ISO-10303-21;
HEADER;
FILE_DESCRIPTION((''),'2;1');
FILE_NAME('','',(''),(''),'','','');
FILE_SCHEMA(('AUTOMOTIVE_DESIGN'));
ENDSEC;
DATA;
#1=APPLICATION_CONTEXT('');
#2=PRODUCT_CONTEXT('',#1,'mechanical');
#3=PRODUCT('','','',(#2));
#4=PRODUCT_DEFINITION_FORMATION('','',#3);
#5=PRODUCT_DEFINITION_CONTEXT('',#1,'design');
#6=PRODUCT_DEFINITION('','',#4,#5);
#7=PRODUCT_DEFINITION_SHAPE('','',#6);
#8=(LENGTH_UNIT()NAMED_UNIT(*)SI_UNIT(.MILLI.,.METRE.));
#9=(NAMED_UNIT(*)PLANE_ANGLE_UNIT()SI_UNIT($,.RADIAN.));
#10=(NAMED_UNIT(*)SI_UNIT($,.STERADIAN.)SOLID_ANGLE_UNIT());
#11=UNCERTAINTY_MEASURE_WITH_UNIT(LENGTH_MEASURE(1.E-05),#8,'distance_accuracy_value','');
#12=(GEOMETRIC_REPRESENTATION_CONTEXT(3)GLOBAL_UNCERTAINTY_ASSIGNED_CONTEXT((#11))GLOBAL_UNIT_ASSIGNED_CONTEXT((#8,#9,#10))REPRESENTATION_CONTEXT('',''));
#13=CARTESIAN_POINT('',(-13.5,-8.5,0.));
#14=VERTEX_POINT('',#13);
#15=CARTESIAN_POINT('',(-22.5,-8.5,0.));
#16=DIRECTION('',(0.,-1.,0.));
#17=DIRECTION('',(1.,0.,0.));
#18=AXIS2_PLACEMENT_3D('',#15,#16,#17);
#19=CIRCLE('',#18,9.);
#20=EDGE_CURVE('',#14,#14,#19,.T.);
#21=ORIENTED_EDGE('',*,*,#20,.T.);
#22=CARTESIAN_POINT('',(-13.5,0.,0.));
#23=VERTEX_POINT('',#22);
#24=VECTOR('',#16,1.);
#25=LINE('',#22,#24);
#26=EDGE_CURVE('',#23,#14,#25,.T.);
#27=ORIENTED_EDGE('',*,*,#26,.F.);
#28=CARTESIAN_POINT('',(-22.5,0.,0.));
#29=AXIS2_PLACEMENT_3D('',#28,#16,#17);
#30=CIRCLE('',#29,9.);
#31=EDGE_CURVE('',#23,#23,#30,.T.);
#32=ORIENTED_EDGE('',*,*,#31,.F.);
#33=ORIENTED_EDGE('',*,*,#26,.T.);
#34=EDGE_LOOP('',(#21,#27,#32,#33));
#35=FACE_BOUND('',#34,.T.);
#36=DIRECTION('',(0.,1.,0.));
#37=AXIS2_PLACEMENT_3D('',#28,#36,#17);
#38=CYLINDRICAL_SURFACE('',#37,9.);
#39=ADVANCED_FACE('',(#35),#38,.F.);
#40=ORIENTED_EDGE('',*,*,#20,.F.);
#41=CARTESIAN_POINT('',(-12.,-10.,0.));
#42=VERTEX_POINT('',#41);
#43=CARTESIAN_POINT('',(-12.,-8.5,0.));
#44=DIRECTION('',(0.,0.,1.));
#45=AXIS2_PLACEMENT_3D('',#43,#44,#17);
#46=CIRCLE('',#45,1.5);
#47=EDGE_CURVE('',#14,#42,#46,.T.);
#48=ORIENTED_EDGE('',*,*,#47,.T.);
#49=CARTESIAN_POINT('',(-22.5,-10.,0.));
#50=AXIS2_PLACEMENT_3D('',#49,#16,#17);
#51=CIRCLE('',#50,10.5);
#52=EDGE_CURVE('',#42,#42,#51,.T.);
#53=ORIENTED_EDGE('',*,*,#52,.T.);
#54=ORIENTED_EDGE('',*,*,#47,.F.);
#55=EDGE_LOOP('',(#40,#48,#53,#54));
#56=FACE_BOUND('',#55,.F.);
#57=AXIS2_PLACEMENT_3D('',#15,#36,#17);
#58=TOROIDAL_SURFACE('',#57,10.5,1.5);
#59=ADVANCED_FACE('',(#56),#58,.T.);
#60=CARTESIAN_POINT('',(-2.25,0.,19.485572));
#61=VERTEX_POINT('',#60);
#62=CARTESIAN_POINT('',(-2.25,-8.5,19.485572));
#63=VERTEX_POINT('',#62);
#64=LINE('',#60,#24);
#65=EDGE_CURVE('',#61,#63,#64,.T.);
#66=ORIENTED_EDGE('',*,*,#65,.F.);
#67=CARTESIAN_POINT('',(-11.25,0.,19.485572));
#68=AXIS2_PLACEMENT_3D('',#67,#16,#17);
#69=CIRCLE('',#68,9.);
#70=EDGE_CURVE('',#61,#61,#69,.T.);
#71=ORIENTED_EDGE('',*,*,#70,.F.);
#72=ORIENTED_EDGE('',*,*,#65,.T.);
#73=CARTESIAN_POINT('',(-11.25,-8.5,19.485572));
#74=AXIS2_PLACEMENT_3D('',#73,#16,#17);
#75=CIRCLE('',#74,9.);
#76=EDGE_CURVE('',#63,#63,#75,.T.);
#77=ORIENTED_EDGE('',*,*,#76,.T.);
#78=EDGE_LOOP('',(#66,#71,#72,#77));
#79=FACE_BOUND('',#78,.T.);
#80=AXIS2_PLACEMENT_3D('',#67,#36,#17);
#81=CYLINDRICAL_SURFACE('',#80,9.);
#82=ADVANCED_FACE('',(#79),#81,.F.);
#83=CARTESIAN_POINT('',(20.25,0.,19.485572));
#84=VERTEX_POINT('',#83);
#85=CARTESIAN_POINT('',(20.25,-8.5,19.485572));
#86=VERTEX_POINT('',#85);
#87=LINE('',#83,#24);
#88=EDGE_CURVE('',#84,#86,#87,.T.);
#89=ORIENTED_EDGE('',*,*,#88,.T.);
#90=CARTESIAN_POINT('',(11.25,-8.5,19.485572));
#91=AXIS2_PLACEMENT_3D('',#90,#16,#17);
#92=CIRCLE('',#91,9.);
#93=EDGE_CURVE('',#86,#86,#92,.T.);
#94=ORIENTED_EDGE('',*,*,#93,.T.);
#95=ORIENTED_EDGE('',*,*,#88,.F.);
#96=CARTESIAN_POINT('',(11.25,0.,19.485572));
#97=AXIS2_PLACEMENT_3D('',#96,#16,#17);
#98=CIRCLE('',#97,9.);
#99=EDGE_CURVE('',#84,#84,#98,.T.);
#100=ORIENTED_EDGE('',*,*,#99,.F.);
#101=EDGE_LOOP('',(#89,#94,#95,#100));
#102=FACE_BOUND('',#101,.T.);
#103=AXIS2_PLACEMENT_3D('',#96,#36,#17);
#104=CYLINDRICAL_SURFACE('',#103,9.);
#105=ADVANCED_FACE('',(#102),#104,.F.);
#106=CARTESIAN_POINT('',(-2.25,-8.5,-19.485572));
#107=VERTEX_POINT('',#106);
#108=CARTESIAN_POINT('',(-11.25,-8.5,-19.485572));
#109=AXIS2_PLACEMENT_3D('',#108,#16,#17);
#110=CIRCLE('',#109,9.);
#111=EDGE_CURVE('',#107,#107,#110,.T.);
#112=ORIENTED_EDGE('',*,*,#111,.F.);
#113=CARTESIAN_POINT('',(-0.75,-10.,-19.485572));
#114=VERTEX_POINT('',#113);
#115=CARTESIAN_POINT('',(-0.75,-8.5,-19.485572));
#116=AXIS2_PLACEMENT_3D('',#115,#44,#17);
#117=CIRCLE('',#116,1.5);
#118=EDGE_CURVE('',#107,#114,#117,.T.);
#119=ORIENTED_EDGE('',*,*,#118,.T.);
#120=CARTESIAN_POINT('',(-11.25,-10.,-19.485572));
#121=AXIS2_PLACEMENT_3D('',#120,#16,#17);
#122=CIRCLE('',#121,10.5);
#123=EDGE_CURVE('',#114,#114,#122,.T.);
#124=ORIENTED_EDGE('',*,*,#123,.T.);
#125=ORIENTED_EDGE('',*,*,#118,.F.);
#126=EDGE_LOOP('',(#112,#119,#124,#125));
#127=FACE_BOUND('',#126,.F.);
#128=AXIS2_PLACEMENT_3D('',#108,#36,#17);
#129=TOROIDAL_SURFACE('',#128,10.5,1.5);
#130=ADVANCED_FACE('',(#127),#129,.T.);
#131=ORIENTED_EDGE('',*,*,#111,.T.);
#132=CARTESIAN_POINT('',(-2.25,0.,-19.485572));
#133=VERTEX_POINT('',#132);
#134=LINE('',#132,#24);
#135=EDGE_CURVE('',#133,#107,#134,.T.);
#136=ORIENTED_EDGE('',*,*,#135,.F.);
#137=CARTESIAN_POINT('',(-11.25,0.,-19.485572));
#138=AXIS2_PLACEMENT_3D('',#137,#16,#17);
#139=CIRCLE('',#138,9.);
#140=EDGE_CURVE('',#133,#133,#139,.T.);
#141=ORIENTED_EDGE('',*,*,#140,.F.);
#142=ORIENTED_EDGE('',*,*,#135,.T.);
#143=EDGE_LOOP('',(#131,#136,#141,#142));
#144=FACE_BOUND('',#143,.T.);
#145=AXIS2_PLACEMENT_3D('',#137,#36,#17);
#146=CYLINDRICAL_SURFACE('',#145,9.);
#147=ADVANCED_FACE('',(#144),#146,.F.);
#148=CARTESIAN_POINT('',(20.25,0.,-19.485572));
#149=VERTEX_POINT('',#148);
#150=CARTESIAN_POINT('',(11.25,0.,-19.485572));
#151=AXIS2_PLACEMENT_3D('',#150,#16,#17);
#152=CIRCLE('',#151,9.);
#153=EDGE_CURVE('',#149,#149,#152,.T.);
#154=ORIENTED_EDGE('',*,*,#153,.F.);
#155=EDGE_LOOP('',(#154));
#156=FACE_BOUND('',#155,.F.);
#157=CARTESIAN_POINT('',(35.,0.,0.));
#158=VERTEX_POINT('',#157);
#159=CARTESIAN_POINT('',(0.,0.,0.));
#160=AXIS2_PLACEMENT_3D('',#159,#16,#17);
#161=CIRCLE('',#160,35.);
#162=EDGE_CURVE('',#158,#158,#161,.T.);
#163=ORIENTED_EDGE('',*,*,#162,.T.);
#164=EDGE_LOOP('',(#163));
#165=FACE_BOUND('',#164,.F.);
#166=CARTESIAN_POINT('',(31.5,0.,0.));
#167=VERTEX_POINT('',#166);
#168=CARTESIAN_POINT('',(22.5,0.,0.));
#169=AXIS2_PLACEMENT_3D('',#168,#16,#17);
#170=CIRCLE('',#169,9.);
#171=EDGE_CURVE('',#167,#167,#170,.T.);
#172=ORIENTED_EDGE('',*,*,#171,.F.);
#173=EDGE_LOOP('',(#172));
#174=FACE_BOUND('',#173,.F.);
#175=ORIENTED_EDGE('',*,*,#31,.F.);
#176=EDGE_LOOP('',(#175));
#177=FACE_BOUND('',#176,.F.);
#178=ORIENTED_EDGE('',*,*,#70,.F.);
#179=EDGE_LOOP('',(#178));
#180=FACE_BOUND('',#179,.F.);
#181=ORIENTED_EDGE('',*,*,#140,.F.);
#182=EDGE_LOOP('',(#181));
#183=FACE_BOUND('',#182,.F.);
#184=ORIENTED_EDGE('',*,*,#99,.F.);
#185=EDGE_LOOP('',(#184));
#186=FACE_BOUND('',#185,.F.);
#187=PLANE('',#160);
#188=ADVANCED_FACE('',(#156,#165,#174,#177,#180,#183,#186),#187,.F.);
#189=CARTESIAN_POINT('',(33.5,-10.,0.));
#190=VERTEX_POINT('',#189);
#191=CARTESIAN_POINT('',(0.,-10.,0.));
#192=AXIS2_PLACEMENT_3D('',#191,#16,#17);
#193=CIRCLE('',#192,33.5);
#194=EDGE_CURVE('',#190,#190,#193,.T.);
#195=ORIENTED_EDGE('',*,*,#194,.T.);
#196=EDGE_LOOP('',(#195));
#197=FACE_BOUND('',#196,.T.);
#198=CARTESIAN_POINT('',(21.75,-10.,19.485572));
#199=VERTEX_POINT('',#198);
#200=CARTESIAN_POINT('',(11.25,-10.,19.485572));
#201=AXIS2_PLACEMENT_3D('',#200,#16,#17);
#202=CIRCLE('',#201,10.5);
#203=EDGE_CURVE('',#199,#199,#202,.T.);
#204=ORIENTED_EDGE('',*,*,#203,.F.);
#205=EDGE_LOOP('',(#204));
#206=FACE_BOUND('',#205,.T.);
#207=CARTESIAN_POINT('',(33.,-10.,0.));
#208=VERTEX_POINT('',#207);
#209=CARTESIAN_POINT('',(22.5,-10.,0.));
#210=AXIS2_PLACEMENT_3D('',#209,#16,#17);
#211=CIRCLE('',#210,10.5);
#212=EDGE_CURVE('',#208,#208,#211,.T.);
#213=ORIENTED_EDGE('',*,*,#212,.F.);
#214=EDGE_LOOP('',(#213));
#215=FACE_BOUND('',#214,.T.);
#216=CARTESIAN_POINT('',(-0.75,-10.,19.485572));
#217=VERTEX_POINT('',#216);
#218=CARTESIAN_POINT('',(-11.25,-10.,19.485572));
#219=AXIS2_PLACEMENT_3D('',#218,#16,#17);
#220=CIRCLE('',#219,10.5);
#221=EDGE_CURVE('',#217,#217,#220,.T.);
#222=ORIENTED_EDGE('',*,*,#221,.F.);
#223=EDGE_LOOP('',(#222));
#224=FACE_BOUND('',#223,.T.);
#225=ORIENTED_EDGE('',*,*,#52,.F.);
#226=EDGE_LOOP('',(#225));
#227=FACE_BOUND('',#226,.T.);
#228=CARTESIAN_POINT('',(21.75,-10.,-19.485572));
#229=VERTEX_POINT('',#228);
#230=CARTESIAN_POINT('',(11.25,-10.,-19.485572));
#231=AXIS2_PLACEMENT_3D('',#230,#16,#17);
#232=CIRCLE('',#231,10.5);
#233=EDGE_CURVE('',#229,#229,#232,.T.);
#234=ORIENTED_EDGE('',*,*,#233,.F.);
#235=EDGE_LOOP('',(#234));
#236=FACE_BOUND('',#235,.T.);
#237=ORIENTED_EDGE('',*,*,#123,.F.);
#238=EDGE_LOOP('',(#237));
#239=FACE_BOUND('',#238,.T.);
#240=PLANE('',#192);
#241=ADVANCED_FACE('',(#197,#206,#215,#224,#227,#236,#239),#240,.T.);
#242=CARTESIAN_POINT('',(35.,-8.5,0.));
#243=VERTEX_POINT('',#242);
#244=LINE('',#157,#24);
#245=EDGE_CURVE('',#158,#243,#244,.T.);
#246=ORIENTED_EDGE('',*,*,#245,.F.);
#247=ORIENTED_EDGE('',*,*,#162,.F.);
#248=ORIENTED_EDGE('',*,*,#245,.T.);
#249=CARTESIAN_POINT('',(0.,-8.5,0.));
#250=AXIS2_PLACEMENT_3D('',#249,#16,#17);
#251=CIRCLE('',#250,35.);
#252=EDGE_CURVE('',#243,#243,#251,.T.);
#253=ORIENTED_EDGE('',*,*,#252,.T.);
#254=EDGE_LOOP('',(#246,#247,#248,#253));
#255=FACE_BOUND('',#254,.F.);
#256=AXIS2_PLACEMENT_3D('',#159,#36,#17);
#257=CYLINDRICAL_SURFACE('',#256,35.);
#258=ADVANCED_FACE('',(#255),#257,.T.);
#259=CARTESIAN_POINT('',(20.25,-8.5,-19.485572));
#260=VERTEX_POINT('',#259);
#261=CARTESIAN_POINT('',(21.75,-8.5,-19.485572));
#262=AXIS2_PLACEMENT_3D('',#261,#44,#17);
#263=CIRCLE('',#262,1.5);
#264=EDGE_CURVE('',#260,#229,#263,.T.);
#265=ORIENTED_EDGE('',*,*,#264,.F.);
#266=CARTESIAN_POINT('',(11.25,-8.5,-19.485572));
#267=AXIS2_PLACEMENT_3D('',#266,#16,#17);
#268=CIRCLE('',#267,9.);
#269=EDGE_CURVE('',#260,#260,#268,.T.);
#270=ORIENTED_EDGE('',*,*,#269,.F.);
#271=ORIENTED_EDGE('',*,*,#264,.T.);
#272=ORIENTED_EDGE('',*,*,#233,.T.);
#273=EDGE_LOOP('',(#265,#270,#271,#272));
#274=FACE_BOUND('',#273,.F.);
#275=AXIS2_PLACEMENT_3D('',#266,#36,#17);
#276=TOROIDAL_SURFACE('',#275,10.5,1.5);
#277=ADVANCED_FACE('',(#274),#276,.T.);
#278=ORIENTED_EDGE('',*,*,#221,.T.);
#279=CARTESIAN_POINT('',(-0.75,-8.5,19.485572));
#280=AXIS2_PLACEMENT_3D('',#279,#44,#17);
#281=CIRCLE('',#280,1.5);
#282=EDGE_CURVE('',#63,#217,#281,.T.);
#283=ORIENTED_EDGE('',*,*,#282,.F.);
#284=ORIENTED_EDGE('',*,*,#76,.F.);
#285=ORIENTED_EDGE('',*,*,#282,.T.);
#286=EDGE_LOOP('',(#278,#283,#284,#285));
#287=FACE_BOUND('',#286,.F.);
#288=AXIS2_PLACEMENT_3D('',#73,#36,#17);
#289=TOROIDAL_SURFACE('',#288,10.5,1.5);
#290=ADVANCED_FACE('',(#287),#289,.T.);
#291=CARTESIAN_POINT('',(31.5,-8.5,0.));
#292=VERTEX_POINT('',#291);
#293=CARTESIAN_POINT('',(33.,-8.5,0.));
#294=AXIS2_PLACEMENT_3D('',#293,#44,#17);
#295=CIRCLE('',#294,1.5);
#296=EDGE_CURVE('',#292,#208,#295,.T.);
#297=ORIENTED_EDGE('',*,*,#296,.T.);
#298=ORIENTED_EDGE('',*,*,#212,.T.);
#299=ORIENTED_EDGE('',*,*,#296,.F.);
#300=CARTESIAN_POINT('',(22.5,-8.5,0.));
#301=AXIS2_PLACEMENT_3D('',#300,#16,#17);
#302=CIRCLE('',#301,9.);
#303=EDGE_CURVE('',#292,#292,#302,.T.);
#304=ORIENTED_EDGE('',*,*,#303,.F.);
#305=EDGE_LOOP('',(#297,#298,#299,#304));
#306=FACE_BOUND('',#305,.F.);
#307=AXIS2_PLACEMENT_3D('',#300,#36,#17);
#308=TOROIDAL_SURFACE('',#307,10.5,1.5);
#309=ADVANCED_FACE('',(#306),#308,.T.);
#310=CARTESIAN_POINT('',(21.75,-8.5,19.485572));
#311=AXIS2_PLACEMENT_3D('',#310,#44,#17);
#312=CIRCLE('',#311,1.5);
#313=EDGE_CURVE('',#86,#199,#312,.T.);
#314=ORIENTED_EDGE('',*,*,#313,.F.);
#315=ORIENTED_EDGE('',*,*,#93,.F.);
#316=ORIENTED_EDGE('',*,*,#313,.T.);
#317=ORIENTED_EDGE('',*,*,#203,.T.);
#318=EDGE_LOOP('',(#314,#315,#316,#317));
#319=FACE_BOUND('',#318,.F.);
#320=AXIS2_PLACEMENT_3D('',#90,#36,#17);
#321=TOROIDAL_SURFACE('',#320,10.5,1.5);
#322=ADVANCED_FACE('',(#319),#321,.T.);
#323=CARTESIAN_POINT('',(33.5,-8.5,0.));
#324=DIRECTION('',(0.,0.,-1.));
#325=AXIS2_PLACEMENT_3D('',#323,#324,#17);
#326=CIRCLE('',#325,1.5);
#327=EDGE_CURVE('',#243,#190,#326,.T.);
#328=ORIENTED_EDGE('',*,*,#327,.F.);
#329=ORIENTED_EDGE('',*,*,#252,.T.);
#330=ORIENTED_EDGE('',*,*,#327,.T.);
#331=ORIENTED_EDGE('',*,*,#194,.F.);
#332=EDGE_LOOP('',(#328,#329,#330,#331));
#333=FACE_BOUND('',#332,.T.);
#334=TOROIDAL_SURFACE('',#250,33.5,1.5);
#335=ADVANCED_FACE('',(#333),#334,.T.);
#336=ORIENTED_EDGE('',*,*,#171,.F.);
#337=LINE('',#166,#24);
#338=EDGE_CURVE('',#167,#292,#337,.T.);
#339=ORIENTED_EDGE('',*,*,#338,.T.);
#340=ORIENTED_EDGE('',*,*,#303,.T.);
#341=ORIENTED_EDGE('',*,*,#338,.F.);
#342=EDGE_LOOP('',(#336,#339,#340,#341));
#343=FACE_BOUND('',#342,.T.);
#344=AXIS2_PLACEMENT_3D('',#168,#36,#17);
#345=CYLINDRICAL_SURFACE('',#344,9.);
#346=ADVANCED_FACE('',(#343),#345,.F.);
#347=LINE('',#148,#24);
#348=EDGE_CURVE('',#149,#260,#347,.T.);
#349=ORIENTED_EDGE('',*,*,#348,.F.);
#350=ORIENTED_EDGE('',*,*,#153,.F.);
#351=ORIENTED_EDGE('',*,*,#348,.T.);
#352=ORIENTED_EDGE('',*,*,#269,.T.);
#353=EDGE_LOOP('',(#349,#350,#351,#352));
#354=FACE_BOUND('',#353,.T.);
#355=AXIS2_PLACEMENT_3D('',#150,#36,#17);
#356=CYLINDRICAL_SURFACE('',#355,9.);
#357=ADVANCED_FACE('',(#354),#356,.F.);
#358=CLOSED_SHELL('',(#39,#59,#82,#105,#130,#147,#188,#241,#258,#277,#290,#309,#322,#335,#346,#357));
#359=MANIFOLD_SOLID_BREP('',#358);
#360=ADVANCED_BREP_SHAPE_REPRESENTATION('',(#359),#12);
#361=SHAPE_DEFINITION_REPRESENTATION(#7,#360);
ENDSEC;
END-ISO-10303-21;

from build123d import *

# Parameters (mm, degrees)
F0_R     = 35
F0_R_2   = 9
F1_DEPTH = 10
F2_R     = 1.5


with BuildPart() as f1:
    # F0 (on Front) → F1 (new body)
    with BuildSketch(Plane.XZ):
        Circle(F0_R)
        with Locations((-11.25, -19.485572)):
            Circle(F0_R_2, mode=Mode.SUBTRACT)
        with Locations((11.25, -19.485572)):
            Circle(F0_R_2, mode=Mode.SUBTRACT)
        with Locations((-22.5, 0)):
            Circle(F0_R_2, mode=Mode.SUBTRACT)
        with Locations((-11.25, 19.485572)):
            Circle(F0_R_2, mode=Mode.SUBTRACT)
        with Locations((22.5, 0)):
            Circle(F0_R_2, mode=Mode.SUBTRACT)
        with Locations((11.25, 19.485572)):
            Circle(F0_R_2, mode=Mode.SUBTRACT)
    extrude(amount=F1_DEPTH)

    # F2
    f2_edges = [f1.edges().sort_by_distance(p)[0] for p in [
        (-35, -10, 0),
        (-20.25, -10, 19.485572),
        (-31.5, -10, 0),
        (2.25, -10, 19.485572),
        (13.5, -10, 0),
        (2.25, -10, -19.485572),
        (-20.25, -10, -19.485572),
    ]]
    fillet(f2_edges, radius=F2_R)


solid = f1.part
